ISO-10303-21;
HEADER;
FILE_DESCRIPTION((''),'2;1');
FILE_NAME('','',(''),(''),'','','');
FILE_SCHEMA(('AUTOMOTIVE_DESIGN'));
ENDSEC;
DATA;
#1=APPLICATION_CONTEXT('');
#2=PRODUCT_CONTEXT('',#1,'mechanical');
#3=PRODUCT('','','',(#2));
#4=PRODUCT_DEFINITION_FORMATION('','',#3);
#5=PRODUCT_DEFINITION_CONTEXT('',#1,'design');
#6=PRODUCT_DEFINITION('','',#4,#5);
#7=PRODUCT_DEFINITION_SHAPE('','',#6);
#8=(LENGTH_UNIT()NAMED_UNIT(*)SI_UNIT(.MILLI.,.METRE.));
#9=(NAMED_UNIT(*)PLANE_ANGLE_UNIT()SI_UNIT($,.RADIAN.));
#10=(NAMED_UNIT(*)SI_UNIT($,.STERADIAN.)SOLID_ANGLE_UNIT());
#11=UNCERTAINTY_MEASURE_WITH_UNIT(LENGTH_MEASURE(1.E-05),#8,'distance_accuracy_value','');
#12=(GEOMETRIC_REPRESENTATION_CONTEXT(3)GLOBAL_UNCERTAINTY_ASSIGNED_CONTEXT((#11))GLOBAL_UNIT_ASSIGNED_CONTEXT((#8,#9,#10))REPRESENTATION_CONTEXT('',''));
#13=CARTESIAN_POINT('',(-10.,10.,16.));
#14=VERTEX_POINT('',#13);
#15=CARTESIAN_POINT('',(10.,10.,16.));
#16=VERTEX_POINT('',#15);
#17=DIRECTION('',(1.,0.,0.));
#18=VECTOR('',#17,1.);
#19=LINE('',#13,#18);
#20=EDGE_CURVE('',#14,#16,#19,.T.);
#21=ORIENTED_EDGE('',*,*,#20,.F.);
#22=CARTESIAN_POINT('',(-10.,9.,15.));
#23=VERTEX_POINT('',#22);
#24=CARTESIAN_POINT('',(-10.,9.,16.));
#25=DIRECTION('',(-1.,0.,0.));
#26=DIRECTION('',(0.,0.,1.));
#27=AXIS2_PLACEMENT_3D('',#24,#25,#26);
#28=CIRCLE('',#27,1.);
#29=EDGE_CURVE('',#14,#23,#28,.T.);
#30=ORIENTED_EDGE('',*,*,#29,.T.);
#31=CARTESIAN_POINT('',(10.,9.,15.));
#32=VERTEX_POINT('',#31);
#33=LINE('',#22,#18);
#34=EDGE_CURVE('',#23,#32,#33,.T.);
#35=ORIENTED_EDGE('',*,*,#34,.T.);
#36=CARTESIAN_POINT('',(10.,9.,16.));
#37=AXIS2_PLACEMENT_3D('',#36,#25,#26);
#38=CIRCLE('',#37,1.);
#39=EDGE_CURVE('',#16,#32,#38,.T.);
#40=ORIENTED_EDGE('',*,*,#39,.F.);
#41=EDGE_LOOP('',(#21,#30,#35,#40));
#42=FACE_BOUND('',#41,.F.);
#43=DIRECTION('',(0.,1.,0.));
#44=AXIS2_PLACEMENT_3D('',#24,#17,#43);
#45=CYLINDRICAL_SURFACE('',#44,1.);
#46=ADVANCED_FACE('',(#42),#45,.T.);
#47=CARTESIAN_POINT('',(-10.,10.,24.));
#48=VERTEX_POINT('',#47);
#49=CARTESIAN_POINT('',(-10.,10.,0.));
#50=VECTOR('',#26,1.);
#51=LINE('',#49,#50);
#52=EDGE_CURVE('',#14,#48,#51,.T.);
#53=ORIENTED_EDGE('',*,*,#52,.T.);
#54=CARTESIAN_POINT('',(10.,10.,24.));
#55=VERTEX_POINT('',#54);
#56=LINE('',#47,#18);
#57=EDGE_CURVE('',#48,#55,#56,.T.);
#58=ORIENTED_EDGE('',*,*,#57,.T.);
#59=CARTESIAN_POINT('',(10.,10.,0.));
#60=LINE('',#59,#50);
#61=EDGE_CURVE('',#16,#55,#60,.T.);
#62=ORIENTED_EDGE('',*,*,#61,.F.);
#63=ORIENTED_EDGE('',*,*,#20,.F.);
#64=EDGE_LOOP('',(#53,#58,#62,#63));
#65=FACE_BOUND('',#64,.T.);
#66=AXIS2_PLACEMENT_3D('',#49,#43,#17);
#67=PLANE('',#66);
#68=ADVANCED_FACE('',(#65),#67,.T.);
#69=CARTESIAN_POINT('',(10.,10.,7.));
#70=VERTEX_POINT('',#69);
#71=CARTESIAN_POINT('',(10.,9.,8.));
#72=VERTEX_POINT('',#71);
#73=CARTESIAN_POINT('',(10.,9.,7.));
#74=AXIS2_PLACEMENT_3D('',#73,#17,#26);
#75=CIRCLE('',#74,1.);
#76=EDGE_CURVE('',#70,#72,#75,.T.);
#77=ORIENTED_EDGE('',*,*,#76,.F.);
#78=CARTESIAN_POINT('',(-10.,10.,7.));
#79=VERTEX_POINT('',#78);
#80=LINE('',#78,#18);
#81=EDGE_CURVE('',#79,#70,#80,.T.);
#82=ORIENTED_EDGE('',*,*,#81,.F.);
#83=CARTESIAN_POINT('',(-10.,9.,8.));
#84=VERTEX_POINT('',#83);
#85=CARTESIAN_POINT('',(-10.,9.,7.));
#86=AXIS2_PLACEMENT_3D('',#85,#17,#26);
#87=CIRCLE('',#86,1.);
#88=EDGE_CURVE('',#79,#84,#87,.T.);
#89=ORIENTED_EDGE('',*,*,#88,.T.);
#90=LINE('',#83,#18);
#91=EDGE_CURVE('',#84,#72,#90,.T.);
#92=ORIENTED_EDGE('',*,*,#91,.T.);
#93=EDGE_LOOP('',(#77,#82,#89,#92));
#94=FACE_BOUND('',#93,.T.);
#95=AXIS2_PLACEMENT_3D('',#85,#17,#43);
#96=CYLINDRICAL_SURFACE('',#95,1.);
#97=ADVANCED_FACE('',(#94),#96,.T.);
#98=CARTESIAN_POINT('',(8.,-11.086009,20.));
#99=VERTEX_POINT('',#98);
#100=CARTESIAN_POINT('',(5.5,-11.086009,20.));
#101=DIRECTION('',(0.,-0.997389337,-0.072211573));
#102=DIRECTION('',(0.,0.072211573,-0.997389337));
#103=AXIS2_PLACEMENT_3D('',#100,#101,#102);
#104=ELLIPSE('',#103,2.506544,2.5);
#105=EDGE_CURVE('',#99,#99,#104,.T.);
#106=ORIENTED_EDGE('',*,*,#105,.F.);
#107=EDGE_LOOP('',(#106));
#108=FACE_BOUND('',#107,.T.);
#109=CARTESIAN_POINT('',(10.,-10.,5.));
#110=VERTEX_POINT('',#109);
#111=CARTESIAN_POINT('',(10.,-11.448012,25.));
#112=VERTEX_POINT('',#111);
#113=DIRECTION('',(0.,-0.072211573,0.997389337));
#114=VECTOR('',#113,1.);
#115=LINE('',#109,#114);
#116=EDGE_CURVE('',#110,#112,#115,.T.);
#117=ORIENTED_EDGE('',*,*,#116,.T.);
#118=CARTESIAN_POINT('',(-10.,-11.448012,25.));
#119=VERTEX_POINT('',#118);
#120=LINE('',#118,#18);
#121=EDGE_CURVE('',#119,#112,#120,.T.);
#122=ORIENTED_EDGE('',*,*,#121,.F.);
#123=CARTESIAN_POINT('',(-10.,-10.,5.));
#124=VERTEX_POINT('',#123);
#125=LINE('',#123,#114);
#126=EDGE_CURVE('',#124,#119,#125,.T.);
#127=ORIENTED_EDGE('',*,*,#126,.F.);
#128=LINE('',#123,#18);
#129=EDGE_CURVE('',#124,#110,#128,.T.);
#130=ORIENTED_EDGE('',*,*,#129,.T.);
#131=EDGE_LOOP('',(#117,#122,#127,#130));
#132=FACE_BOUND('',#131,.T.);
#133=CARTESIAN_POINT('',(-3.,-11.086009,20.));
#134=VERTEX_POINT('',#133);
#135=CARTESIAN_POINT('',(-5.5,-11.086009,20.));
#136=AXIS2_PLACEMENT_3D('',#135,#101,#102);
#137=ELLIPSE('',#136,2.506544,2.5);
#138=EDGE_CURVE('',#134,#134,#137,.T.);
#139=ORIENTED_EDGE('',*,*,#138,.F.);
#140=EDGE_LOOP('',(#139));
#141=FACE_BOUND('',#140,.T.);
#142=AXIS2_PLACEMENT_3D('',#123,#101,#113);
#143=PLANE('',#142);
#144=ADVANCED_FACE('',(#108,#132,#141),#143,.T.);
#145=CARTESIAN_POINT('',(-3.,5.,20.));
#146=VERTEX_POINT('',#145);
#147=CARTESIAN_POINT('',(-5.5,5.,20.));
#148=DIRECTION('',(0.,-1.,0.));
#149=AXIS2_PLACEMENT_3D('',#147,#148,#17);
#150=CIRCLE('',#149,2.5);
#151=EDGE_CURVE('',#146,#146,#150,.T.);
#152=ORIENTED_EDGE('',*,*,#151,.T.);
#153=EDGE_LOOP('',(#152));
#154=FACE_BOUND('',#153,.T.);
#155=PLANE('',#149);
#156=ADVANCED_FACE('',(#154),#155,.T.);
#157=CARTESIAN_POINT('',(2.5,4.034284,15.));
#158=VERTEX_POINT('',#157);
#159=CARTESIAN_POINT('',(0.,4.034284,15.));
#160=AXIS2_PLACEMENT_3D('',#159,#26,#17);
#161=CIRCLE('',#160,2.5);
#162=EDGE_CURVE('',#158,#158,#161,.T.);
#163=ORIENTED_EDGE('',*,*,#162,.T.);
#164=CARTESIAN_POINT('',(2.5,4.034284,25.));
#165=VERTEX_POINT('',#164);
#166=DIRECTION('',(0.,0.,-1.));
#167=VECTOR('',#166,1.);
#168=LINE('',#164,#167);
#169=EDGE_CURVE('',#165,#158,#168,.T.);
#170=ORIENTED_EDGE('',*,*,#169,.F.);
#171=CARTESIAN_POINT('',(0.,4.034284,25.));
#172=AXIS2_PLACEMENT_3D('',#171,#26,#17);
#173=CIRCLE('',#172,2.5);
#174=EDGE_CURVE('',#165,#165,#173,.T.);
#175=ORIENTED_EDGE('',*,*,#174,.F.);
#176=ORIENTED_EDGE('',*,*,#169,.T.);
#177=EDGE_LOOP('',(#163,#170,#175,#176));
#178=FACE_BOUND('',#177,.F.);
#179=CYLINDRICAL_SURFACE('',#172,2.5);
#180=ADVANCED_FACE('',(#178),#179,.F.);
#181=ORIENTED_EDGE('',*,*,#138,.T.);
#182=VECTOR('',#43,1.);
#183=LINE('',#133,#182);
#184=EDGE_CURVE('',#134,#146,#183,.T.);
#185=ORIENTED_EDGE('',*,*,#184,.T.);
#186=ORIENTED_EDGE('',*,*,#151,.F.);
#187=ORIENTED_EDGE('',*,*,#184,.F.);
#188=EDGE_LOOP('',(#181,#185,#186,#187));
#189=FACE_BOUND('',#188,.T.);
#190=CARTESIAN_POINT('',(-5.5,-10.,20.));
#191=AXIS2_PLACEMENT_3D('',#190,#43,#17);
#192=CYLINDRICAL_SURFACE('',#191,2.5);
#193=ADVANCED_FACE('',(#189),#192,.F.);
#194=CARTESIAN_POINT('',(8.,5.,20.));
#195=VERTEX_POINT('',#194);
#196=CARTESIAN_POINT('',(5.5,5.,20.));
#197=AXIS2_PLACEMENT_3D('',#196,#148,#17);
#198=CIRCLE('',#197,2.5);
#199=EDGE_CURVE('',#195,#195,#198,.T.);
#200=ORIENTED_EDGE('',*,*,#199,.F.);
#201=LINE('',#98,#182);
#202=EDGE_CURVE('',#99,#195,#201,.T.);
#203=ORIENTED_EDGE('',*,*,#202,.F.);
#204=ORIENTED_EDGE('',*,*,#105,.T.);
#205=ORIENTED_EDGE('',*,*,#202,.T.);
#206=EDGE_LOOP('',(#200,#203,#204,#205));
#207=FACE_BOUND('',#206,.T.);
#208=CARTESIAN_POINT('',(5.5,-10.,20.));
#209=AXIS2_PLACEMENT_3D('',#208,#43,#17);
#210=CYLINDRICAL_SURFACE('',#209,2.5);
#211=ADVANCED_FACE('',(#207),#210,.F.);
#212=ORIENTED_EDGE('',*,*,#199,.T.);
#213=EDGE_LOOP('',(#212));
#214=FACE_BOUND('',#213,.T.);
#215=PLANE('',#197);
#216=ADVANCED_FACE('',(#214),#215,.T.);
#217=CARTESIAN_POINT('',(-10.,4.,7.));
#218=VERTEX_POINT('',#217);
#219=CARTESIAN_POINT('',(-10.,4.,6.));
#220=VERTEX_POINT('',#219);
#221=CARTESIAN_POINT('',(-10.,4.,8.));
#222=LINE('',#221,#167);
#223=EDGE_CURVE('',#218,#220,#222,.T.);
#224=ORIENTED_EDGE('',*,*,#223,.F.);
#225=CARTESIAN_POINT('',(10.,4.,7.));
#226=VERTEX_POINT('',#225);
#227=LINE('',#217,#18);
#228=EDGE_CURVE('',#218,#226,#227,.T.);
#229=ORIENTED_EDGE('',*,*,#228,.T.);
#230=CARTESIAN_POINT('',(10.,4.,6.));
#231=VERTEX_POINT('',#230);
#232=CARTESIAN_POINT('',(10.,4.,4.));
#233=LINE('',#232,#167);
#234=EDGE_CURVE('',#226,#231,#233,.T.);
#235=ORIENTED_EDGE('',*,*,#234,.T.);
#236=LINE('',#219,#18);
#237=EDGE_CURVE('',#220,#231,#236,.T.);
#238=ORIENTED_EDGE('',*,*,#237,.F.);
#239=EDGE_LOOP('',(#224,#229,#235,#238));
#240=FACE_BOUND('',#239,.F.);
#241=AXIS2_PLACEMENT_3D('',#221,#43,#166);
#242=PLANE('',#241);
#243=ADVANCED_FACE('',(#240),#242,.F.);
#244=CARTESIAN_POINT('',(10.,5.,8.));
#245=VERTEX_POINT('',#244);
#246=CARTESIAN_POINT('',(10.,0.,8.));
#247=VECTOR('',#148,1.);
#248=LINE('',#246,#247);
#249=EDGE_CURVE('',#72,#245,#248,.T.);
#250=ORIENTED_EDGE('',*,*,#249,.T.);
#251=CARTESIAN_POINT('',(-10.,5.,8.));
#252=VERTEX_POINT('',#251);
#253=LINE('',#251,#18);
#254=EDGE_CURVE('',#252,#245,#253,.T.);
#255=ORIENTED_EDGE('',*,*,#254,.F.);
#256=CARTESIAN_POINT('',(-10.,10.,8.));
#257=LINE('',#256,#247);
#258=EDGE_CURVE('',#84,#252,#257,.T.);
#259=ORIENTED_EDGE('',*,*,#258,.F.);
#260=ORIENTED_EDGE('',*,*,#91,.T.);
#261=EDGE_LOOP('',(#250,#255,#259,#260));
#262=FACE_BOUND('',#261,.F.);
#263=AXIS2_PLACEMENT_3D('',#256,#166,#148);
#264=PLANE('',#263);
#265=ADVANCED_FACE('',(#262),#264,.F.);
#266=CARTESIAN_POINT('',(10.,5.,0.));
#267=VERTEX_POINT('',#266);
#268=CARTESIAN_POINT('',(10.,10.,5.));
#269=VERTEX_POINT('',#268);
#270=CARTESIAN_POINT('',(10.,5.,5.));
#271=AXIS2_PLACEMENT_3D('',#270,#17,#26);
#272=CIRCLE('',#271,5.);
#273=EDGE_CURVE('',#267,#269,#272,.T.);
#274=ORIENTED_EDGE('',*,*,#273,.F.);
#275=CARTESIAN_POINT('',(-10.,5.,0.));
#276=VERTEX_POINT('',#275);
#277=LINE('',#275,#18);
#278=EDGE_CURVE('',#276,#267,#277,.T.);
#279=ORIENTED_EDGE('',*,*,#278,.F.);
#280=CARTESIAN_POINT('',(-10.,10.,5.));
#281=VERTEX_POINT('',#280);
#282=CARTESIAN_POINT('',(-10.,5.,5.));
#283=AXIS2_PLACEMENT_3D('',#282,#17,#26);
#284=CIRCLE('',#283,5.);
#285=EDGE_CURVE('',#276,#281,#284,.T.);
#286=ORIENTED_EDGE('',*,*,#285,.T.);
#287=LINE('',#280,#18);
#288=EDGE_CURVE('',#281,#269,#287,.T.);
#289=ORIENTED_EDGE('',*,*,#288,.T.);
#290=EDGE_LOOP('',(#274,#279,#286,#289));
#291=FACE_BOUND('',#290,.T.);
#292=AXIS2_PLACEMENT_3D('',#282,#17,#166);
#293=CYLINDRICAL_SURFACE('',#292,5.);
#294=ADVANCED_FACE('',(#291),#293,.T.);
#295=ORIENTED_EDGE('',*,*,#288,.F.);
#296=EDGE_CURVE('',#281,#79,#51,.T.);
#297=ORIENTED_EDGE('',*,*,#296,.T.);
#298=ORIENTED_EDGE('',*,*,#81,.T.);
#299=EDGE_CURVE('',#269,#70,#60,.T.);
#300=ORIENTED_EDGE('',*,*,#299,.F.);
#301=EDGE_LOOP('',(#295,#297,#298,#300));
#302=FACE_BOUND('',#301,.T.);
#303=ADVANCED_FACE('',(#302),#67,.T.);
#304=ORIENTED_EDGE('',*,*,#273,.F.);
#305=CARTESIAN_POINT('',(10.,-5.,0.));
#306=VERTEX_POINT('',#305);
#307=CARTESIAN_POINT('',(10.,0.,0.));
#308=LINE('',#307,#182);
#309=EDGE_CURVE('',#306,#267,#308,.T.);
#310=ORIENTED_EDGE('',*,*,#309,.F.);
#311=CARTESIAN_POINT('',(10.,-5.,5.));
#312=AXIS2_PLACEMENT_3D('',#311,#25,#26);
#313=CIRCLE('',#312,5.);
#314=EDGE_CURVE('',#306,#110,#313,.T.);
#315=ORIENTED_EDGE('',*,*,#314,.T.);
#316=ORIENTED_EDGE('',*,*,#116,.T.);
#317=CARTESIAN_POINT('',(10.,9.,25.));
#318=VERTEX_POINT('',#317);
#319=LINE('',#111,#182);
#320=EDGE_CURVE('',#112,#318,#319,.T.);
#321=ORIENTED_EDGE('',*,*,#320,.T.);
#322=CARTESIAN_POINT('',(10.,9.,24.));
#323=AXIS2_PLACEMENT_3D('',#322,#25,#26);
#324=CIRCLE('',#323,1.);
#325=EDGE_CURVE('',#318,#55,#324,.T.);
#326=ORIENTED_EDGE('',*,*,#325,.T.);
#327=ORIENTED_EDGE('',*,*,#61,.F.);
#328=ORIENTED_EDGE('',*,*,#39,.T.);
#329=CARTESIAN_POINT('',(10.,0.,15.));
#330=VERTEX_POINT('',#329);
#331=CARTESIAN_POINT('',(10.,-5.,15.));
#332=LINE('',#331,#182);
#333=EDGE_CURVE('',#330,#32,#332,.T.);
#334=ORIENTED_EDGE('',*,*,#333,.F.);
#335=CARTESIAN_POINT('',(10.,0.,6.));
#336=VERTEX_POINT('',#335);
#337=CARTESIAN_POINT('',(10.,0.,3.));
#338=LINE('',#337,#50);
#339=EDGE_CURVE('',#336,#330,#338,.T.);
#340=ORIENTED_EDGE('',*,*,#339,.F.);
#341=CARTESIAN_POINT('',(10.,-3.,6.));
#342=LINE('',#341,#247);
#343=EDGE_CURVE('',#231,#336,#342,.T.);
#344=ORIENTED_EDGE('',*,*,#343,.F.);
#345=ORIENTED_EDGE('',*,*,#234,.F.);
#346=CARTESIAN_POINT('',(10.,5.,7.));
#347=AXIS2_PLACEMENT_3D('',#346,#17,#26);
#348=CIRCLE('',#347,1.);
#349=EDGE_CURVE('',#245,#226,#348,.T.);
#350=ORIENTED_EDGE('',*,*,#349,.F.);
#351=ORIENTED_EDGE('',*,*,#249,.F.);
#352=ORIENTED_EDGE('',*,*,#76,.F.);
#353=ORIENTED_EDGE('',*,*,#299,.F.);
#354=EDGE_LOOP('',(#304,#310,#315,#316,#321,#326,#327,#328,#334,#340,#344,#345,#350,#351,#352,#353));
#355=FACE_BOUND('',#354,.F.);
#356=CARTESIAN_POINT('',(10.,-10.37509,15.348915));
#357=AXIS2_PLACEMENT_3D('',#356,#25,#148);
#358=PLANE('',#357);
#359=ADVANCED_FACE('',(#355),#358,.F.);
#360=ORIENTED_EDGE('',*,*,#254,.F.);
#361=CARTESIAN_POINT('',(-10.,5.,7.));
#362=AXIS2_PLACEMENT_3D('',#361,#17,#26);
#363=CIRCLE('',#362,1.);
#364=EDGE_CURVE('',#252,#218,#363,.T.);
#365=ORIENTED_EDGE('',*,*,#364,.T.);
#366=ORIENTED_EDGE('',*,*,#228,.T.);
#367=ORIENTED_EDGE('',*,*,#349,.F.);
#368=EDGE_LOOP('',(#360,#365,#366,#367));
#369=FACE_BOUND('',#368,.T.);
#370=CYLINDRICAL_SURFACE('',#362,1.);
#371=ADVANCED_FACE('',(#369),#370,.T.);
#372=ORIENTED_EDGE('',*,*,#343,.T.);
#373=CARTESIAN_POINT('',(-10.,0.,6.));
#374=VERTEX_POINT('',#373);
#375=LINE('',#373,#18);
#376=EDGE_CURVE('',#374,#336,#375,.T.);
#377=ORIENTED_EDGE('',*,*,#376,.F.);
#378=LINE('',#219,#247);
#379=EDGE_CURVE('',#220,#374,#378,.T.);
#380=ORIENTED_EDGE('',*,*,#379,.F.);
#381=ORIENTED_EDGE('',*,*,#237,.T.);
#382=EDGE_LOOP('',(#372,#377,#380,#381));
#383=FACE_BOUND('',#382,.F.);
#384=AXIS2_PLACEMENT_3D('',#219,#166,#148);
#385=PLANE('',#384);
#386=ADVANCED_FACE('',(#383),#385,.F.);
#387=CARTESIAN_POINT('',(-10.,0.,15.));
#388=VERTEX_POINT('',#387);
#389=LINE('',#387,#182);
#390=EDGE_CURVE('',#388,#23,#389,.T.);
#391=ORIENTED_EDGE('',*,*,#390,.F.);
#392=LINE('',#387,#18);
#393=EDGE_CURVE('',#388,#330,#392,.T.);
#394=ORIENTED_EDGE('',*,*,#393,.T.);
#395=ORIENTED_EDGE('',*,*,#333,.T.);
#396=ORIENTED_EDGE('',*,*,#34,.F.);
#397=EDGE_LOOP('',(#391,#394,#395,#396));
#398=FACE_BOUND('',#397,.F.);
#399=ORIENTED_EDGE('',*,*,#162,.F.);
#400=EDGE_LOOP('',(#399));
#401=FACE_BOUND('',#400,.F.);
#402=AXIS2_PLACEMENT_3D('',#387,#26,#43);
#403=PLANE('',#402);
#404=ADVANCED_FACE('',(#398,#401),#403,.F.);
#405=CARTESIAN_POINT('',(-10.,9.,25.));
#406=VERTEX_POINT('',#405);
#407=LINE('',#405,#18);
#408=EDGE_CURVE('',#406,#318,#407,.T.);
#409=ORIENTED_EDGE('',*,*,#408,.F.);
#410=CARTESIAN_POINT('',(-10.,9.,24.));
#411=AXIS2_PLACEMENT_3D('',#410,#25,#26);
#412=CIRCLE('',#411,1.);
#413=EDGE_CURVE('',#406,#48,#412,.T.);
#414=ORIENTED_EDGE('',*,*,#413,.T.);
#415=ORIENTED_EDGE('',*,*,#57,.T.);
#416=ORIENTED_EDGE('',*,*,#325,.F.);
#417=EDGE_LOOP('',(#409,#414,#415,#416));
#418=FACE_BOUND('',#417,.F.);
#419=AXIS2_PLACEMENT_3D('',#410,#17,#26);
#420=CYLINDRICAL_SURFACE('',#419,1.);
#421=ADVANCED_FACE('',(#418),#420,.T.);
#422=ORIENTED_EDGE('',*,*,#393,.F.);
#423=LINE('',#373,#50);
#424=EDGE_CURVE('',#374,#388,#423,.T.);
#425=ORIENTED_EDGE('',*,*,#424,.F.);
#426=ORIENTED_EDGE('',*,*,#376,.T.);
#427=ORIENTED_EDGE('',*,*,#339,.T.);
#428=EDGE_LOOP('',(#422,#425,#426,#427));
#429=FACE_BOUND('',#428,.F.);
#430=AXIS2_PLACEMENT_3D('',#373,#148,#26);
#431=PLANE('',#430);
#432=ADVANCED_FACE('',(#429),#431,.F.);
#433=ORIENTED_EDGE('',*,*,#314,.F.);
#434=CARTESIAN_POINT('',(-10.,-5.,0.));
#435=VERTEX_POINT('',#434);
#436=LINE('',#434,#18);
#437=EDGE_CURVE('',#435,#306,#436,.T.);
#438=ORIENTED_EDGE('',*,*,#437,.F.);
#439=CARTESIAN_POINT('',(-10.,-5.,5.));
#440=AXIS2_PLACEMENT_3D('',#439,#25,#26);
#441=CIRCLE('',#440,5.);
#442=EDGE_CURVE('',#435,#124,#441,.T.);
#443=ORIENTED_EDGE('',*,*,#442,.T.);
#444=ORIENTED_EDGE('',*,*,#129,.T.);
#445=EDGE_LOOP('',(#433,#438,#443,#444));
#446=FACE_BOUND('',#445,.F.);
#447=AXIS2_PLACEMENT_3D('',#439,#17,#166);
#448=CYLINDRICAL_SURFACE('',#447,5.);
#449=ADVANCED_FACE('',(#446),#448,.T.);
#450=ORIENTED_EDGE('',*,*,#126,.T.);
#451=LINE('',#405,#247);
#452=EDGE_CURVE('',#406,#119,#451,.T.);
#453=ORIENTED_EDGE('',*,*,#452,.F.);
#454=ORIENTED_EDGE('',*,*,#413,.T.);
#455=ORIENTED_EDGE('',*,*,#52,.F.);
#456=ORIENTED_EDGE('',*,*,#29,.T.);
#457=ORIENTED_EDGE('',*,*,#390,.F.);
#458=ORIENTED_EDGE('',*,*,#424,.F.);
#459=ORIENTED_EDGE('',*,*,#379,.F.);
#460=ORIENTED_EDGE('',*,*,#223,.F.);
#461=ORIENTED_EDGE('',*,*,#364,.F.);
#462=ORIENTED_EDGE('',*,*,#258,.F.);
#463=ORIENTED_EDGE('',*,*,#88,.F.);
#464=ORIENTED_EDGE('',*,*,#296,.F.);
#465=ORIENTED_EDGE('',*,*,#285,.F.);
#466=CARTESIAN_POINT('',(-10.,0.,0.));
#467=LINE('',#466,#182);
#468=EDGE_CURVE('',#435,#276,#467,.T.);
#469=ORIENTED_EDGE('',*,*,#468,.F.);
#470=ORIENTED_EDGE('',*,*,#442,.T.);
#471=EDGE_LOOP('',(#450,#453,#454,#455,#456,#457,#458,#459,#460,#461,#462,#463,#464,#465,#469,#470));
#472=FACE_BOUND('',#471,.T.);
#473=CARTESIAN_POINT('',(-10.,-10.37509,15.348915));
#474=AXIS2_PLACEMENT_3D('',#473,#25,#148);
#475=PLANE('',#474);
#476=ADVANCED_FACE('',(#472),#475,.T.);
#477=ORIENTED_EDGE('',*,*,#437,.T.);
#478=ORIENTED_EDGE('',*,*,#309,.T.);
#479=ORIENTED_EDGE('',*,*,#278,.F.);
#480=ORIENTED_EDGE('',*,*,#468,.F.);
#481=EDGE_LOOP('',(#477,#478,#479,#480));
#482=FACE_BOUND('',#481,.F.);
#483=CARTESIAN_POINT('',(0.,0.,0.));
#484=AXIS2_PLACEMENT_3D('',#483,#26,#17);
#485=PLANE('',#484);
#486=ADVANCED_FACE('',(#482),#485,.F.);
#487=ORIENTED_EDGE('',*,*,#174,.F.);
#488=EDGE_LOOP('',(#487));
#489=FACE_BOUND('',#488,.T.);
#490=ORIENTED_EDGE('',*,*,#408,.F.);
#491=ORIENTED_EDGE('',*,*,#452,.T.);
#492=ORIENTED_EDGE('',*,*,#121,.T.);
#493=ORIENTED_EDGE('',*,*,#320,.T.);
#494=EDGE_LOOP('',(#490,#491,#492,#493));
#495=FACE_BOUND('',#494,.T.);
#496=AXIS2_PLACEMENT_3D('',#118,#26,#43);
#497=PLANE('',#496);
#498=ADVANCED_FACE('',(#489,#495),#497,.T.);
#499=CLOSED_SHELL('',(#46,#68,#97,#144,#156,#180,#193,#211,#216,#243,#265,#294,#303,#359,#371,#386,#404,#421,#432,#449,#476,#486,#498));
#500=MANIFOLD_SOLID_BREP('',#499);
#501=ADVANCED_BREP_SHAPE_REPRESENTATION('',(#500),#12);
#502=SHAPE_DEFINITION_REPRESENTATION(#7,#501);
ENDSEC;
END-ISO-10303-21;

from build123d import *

# Parameters (mm, degrees)
F0_W           = 20
F0_H           = 20
F1_DEPTH       = 25
F3_DEPTH       = 25
F4_R           = 2.5
F5_DEPTH       = 10
F7_R           = 5
F8_R           = 1
F10_DEPTH      = 20
F6_R           = 2.5
F11_DEPTH      = 15
F11_DEPTH_BACK = 25


with BuildPart() as f1:
    # F0 (on Top) → F1 (new body)
    with BuildSketch(Plane.XY):
        Rectangle(F0_W, F0_H)
    extrude(amount=F1_DEPTH)

    # F2 (on face) → F3 (cut)
    with BuildSketch(Plane(origin=(-10, 0, 0), x_dir=(0, -1, 0), z_dir=(-1, 0, 0))):
        Polygon((0, 15), (-10, 15), (-10, 8), (-4, 8), (-4, 6), (0, 6), (0, 8), align=None)
    extrude(amount=-F3_DEPTH, mode=Mode.SUBTRACT)

    # F4 (on face) → F5 (cut)
    with BuildSketch(Plane.XY.offset(25)):
        with Locations((0, 4.0342840366)):
            Circle(F4_R)
    extrude(amount=-F5_DEPTH, mode=Mode.SUBTRACT)

    # F7
    f7_edges = [f1.edges().sort_by_distance(p)[0] for p in [
        (0, 10, 0),
        (0, -10, 0),
    ]]
    fillet(f7_edges, radius=F7_R)

    # F8
    f8_edges = [f1.edges().sort_by_distance(p)[0] for p in [
        (0, 10, 15),
        (0, 10, 8),
        (0, 10, 25),
        (0, 4, 8),
    ]]
    fillet(f8_edges, radius=F8_R)

    # F9 (on face) → F10 (join)
    with BuildSketch(Plane(origin=(-10, 0, 0), x_dir=(0, -1, 0), z_dir=(-1, 0, 0))):
        Polygon((11.4480117336, 25), (10, 25), (10, 5), align=None)
    extrude(amount=-F10_DEPTH)

    # F6 (on face) → F11 (cut, two sides)
    with BuildSketch(Plane.XZ.offset(10)) as f11_sk:
        with Locations((-5.5, 20)):
            Circle(F6_R)
        with Locations((5.5, 20)):
            Circle(F6_R)
    extrude(amount=-F11_DEPTH, mode=Mode.SUBTRACT)
    extrude(f11_sk.sketch, amount=F11_DEPTH_BACK, mode=Mode.SUBTRACT)


solid = f1.part
